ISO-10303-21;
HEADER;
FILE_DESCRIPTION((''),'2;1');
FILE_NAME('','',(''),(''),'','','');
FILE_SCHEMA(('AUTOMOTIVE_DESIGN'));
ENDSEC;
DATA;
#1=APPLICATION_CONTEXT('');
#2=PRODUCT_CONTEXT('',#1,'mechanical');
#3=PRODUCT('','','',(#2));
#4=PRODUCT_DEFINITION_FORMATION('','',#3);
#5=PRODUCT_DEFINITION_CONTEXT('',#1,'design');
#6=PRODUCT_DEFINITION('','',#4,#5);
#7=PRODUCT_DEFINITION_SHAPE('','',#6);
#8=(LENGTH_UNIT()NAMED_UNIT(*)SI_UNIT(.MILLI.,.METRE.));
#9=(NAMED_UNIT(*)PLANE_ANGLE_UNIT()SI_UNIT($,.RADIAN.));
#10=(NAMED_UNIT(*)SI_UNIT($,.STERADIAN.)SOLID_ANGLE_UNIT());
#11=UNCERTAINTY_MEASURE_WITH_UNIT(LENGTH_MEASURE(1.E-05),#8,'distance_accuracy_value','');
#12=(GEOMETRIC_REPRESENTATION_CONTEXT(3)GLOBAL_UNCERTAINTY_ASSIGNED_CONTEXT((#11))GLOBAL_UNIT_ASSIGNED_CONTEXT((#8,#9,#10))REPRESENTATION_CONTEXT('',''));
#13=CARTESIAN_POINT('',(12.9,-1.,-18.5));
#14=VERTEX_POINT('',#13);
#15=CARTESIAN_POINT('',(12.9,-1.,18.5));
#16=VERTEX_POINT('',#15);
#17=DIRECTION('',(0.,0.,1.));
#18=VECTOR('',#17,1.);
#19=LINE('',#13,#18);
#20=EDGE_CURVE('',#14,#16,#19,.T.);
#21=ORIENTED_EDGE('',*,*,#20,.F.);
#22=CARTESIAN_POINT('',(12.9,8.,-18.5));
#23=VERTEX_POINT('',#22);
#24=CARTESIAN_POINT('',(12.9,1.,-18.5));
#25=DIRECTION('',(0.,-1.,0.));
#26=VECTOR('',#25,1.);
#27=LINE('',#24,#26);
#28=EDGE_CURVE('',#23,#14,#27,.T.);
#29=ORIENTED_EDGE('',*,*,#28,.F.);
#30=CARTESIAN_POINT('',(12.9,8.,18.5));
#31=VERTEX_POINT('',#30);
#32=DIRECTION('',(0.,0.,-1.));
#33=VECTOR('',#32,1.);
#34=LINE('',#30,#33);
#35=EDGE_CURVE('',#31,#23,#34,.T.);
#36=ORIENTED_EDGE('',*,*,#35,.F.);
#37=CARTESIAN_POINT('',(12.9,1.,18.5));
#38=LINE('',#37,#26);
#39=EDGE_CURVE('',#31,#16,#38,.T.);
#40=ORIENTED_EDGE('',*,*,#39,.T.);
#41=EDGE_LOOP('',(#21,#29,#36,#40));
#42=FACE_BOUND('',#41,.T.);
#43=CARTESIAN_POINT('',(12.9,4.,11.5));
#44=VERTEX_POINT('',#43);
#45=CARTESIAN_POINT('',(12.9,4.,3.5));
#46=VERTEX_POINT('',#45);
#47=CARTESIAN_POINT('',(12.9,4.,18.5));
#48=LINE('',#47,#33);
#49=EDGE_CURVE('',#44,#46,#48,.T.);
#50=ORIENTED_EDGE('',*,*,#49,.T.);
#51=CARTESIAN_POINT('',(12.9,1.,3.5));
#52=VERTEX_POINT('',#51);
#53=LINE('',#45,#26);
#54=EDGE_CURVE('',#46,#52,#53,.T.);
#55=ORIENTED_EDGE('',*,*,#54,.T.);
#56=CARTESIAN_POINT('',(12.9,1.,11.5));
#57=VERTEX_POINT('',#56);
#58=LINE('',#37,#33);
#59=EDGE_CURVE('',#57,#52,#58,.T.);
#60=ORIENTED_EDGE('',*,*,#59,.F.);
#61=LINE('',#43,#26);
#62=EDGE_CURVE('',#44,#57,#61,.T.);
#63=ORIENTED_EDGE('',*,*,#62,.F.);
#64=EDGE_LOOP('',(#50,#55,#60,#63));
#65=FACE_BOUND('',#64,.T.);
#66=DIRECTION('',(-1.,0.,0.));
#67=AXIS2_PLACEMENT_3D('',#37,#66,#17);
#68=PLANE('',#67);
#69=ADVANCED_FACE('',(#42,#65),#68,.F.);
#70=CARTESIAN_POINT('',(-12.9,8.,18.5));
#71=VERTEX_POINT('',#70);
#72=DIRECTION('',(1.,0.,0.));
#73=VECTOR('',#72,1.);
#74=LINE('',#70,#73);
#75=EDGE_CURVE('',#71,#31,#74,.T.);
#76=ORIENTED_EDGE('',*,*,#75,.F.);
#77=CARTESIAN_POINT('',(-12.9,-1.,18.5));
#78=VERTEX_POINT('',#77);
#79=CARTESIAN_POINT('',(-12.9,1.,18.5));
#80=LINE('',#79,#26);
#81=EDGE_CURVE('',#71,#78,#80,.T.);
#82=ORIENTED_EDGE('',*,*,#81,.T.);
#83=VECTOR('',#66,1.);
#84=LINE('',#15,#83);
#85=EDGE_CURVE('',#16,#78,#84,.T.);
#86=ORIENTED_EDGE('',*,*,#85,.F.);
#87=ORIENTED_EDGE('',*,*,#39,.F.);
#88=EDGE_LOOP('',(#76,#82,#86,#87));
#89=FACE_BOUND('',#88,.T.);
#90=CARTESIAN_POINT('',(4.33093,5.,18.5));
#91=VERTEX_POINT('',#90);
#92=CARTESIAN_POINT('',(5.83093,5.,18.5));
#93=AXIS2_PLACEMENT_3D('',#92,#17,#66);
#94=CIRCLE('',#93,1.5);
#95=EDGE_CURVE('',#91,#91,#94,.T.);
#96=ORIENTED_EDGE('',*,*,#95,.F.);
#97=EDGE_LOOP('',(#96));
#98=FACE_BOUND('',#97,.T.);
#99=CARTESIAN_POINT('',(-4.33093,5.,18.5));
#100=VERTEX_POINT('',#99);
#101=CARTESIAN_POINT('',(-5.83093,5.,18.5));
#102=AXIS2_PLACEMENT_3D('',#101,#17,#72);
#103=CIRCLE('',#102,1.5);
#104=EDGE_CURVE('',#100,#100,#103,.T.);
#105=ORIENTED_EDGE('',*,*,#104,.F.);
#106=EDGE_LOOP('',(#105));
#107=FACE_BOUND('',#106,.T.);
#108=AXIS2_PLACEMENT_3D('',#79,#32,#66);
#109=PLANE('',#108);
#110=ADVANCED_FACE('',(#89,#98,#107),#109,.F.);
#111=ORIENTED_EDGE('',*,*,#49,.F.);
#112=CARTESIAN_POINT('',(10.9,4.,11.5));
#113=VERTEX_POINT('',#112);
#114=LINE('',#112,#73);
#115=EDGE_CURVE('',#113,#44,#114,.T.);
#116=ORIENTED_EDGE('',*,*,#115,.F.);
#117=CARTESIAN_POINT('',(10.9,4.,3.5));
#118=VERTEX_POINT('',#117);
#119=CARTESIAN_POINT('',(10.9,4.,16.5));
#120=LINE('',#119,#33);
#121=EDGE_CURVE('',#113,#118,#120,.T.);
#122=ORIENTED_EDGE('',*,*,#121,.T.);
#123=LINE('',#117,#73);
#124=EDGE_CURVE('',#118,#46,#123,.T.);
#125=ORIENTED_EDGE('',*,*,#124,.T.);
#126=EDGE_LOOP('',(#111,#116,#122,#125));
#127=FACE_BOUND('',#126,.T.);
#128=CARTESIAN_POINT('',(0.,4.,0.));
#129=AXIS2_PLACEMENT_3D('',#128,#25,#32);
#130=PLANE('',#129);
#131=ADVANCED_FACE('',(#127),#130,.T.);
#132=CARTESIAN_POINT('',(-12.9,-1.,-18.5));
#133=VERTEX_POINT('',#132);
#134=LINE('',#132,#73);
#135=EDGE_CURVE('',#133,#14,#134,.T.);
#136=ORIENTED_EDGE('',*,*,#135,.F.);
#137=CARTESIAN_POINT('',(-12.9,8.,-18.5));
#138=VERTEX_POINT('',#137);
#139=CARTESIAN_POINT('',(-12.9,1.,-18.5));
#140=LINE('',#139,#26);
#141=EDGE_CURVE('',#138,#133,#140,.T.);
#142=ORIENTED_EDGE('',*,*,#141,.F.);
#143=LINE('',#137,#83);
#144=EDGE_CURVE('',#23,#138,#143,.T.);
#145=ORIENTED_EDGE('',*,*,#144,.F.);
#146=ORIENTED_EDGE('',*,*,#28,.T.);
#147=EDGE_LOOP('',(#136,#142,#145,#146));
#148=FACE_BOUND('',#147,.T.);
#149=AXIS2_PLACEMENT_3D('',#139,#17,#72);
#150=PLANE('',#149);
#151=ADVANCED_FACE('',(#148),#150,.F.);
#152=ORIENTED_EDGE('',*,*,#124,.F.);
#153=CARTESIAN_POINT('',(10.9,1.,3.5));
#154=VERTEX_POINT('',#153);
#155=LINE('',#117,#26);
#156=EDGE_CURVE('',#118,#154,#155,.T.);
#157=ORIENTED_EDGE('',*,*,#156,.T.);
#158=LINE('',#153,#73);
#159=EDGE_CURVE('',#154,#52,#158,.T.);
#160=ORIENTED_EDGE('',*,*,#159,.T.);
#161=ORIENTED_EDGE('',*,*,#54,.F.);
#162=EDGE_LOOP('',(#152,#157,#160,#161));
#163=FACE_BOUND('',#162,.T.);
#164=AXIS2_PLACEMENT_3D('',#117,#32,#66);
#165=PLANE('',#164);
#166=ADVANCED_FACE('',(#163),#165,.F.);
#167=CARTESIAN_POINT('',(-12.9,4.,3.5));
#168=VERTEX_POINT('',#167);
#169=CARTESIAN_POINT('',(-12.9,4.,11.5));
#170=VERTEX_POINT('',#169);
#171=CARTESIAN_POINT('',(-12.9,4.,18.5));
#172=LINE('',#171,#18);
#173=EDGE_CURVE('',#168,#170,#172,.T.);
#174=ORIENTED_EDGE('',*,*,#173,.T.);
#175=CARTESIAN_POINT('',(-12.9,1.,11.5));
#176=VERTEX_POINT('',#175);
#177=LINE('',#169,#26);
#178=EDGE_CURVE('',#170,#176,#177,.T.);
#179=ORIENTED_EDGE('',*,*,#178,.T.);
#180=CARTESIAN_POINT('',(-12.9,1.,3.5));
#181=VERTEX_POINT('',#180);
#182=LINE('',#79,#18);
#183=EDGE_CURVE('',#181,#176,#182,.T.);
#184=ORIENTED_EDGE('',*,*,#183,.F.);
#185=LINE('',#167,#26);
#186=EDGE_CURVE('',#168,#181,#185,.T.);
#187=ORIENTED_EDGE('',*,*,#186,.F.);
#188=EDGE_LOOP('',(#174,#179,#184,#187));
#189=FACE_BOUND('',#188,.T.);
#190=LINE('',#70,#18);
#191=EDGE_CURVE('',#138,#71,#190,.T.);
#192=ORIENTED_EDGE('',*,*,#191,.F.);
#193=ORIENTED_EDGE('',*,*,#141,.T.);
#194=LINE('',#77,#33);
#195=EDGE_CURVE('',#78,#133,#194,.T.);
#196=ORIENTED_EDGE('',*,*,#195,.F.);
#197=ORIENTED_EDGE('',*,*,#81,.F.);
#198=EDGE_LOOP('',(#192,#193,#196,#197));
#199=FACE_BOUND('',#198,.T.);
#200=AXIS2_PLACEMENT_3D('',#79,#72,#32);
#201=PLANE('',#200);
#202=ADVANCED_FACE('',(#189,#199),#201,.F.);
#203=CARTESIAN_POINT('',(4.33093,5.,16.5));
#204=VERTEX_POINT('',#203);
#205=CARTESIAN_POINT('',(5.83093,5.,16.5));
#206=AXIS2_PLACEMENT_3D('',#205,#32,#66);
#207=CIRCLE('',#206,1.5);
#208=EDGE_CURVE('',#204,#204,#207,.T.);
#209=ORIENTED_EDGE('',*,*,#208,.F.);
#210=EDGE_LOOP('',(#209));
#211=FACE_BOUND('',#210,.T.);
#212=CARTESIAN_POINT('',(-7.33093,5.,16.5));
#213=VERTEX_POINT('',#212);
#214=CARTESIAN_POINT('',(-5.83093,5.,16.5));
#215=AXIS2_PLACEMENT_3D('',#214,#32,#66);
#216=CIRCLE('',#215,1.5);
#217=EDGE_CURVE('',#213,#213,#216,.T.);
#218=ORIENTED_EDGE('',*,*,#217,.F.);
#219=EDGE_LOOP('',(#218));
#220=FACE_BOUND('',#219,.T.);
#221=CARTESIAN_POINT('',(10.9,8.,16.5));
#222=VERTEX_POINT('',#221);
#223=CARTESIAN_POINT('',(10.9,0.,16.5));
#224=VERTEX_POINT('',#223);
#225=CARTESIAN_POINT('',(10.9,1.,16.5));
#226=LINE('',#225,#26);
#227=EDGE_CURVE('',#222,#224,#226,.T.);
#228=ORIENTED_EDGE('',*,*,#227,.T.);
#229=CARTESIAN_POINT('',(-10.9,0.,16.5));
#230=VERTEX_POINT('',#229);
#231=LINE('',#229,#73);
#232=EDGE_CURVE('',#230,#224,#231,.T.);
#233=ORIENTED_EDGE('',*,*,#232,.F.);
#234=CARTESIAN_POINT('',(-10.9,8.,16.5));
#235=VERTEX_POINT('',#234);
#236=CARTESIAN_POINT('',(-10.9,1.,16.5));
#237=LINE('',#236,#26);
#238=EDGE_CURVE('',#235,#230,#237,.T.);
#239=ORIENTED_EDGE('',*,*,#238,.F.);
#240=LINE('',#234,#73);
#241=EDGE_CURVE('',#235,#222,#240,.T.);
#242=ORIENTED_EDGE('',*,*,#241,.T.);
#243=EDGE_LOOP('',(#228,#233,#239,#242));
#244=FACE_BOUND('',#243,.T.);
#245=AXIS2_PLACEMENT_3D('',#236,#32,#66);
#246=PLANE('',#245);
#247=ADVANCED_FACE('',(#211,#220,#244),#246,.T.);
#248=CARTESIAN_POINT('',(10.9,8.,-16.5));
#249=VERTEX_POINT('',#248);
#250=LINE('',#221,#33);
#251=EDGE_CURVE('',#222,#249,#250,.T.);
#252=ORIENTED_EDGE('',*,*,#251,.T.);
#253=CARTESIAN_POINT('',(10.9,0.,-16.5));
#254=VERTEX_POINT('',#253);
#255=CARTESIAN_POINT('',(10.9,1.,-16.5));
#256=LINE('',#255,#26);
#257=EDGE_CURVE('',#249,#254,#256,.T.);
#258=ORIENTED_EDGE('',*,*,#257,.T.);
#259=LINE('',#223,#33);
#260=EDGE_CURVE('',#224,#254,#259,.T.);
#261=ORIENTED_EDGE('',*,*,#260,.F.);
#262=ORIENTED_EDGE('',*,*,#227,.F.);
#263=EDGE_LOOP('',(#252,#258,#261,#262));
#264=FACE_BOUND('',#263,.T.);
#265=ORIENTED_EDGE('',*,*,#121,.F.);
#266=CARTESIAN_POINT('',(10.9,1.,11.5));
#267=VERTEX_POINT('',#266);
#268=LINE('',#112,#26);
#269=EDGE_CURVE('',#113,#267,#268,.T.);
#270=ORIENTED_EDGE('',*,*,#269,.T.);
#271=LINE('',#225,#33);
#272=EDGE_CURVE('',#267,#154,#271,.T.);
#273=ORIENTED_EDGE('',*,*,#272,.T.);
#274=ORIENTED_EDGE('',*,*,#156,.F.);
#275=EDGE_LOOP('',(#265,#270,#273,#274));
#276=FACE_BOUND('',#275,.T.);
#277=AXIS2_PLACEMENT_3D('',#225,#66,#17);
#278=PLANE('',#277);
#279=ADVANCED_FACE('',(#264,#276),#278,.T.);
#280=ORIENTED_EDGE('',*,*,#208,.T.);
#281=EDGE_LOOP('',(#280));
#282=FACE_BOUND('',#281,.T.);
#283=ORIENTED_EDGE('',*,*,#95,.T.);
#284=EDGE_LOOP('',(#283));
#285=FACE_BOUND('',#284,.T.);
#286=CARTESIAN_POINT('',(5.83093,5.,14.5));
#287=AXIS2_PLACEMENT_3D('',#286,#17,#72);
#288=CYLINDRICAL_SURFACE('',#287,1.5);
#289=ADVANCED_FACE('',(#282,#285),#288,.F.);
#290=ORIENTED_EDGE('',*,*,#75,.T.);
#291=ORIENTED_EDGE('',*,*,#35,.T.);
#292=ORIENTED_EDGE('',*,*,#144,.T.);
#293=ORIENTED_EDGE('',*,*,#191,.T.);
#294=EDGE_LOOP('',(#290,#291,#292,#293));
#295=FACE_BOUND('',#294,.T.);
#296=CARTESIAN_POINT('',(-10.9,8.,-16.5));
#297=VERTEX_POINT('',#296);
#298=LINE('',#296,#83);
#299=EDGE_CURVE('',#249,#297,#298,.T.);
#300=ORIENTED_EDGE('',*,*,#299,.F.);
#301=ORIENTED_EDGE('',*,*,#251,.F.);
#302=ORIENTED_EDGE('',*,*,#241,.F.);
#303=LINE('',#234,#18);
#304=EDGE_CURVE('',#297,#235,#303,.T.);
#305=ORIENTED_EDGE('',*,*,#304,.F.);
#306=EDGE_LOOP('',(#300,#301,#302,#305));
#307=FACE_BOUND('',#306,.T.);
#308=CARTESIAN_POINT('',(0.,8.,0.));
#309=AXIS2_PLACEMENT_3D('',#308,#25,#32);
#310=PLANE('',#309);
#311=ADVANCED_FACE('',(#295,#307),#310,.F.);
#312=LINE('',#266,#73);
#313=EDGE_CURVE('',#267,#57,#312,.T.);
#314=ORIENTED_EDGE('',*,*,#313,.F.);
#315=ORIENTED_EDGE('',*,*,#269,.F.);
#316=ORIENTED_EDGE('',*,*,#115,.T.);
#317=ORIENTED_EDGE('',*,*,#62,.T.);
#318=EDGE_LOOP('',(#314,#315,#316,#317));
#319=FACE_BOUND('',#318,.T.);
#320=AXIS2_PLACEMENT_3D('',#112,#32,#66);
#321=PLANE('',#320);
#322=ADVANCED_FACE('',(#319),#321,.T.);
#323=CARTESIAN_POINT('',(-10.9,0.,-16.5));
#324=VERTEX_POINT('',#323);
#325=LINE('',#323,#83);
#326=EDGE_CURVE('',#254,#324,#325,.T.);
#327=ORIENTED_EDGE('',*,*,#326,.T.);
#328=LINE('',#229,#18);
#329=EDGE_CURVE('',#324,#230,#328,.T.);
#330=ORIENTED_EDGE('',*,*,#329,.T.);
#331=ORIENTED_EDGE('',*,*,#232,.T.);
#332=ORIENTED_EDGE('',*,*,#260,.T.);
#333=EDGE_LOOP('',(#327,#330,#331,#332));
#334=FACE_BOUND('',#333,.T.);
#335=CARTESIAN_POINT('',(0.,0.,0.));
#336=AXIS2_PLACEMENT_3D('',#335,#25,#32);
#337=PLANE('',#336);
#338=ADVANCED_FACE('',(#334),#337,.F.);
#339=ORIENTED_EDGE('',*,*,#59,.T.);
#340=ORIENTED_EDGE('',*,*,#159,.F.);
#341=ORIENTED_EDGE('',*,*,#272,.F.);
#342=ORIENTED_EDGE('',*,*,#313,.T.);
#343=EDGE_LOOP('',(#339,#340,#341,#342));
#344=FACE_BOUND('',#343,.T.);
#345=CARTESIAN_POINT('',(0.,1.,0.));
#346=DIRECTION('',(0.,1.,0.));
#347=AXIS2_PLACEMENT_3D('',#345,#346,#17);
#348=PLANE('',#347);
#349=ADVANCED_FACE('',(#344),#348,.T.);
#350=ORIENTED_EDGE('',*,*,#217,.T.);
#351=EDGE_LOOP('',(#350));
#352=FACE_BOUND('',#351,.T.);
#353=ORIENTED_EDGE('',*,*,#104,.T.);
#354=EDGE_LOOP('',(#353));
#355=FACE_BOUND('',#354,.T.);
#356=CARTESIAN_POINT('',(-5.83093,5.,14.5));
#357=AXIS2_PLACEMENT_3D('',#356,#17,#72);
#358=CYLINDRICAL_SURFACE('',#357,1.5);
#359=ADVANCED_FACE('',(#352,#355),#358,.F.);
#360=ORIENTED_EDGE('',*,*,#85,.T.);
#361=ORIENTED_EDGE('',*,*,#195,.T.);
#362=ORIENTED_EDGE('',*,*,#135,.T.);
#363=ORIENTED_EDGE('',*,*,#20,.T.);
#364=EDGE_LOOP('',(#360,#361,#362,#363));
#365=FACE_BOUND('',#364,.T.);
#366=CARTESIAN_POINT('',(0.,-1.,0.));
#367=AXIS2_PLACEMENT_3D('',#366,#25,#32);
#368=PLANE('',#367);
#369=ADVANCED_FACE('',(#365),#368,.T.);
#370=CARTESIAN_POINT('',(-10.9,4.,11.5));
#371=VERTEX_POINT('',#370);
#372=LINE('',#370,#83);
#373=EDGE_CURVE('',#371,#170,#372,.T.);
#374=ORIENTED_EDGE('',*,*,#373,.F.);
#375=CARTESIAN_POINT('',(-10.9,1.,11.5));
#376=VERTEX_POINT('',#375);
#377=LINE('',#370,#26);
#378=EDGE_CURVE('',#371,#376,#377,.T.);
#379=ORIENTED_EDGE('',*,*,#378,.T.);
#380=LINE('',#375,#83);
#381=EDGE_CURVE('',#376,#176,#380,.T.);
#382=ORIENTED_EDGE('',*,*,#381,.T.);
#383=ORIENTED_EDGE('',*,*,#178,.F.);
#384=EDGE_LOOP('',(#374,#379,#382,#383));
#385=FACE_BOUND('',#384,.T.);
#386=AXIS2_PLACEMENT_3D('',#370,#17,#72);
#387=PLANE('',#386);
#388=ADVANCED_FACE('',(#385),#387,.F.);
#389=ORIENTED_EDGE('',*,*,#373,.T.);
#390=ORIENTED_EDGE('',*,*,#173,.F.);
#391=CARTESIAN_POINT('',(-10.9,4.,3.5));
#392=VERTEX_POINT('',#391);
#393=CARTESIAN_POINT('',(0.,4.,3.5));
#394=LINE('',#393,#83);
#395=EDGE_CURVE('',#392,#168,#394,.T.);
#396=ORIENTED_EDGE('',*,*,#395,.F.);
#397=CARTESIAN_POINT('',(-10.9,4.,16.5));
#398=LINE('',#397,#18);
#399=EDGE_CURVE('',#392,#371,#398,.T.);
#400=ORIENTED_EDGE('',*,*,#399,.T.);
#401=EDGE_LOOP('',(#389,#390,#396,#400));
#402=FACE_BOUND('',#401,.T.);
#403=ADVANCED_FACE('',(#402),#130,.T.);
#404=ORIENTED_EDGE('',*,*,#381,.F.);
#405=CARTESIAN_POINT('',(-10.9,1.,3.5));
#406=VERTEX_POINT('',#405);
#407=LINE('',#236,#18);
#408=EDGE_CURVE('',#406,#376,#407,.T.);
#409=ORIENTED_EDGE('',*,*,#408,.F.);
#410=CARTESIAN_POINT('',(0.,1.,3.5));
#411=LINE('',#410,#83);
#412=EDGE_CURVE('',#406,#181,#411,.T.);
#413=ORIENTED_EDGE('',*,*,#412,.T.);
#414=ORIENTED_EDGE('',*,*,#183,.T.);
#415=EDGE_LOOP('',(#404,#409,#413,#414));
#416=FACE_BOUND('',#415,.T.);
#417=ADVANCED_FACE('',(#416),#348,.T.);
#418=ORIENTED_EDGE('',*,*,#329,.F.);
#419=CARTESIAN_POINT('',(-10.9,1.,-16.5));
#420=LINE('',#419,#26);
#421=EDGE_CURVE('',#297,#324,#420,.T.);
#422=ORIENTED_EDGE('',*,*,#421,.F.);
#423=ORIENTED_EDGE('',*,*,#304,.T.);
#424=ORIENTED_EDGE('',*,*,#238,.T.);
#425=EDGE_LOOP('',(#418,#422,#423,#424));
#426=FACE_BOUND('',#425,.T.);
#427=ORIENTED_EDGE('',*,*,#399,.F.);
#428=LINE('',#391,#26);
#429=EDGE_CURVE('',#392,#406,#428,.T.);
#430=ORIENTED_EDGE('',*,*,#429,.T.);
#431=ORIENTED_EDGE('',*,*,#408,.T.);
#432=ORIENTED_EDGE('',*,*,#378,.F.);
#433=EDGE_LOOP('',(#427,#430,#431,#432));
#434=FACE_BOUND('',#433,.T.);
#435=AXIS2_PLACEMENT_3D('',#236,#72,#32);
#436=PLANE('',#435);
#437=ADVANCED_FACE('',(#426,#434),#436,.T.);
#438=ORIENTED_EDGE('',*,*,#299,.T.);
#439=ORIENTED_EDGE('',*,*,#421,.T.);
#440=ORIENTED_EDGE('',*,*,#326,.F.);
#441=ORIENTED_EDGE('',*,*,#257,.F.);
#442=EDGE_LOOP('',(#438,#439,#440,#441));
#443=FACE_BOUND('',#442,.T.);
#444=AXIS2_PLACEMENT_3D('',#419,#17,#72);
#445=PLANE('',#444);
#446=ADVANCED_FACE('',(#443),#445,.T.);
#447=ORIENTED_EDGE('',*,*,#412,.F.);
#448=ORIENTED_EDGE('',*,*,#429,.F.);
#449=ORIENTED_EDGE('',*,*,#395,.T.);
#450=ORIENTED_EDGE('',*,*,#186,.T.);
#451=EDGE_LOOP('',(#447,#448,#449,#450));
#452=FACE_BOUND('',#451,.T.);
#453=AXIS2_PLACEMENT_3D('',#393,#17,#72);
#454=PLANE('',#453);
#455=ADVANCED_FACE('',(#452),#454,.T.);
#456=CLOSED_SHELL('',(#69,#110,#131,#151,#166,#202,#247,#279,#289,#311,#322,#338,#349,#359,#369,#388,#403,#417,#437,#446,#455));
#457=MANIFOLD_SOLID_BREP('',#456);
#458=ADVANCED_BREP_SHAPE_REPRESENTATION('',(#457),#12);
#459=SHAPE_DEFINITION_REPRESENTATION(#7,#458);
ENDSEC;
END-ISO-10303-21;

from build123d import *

# Parameters (mm, degrees)
SKETCH1_W           = 25.8
SKETCH1_H           = 37
SKETCH1_W_2         = 21.8
SKETCH1_H_2         = 33
BOSS_EXTRUDE2_DEPTH = 1
BOSS_EXTRUDE3_DEPTH = 3
SKETCH4_W           = 25.8
SKETCH4_H           = 37
BOSS_EXTRUDE4_DEPTH = 1
SKETCH5_W           = 25.8
SKETCH5_H           = 37
SKETCH5_W_2         = 21.8
SKETCH5_H_2         = 33
BOSS_EXTRUDE5_DEPTH = 4
SKETCH6_R           = 1.5
CUT_EXTRUDE1_DEPTH  = 4


with BuildPart() as part:
    # Sketch1 → Boss-Extrude2 (new body)
    with BuildSketch(Plane(origin=(0, 0, 0), x_dir=(1, 0, 0), z_dir=(0, 1, 0))):
        Rectangle(SKETCH1_W, SKETCH1_H)
        Rectangle(SKETCH1_W_2, SKETCH1_H_2, mode=Mode.SUBTRACT)
    extrude(amount=BOSS_EXTRUDE2_DEPTH)

    # Sketch3 → Boss-Extrude3 (add)
    with BuildSketch(Plane(origin=(0, 1, 0), x_dir=(1, 0, 0), z_dir=(0, 1, 0))):
        Polygon((-12.9, -11.5), (-12.9, -18.5), (12.9, -18.5), (12.9, -11.5), (10.9, -11.5), (10.9, -16.5), (-10.9, -16.5), (-10.9, -11.5), align=None)
        Polygon((-12.9, 18.5), (-12.9, -3.5), (-10.9, -3.5), (-10.9, 16.5), (10.9, 16.5), (10.9, -3.5), (12.9, -3.5), (12.9, 18.5), align=None)
    extrude(amount=BOSS_EXTRUDE3_DEPTH)

    # Sketch4 → Boss-Extrude4 (add)
    with BuildSketch(Plane.XZ):
        Rectangle(SKETCH4_W, SKETCH4_H)
    extrude(amount=BOSS_EXTRUDE4_DEPTH)

    # Sketch5 → Boss-Extrude5 (add)
    with BuildSketch(Plane(origin=(0, 4, 0), x_dir=(1, 0, 0), z_dir=(0, 1, 0))):
        Rectangle(SKETCH5_W, SKETCH5_H)
        Rectangle(SKETCH5_W_2, SKETCH5_H_2, mode=Mode.SUBTRACT)
    extrude(amount=BOSS_EXTRUDE5_DEPTH)

    # Sketch6 → Cut-Extrude1 (cut)
    with BuildSketch(Plane.XY.offset(18.5)):
        with Locations((-5.830929934, 5)):
            Circle(SKETCH6_R)
        with Locations(Location((5.830929934, 5, 0), (0, 0, 180))):
            Circle(SKETCH6_R)
    extrude(amount=-CUT_EXTRUDE1_DEPTH, mode=Mode.SUBTRACT)


solid = part.part
